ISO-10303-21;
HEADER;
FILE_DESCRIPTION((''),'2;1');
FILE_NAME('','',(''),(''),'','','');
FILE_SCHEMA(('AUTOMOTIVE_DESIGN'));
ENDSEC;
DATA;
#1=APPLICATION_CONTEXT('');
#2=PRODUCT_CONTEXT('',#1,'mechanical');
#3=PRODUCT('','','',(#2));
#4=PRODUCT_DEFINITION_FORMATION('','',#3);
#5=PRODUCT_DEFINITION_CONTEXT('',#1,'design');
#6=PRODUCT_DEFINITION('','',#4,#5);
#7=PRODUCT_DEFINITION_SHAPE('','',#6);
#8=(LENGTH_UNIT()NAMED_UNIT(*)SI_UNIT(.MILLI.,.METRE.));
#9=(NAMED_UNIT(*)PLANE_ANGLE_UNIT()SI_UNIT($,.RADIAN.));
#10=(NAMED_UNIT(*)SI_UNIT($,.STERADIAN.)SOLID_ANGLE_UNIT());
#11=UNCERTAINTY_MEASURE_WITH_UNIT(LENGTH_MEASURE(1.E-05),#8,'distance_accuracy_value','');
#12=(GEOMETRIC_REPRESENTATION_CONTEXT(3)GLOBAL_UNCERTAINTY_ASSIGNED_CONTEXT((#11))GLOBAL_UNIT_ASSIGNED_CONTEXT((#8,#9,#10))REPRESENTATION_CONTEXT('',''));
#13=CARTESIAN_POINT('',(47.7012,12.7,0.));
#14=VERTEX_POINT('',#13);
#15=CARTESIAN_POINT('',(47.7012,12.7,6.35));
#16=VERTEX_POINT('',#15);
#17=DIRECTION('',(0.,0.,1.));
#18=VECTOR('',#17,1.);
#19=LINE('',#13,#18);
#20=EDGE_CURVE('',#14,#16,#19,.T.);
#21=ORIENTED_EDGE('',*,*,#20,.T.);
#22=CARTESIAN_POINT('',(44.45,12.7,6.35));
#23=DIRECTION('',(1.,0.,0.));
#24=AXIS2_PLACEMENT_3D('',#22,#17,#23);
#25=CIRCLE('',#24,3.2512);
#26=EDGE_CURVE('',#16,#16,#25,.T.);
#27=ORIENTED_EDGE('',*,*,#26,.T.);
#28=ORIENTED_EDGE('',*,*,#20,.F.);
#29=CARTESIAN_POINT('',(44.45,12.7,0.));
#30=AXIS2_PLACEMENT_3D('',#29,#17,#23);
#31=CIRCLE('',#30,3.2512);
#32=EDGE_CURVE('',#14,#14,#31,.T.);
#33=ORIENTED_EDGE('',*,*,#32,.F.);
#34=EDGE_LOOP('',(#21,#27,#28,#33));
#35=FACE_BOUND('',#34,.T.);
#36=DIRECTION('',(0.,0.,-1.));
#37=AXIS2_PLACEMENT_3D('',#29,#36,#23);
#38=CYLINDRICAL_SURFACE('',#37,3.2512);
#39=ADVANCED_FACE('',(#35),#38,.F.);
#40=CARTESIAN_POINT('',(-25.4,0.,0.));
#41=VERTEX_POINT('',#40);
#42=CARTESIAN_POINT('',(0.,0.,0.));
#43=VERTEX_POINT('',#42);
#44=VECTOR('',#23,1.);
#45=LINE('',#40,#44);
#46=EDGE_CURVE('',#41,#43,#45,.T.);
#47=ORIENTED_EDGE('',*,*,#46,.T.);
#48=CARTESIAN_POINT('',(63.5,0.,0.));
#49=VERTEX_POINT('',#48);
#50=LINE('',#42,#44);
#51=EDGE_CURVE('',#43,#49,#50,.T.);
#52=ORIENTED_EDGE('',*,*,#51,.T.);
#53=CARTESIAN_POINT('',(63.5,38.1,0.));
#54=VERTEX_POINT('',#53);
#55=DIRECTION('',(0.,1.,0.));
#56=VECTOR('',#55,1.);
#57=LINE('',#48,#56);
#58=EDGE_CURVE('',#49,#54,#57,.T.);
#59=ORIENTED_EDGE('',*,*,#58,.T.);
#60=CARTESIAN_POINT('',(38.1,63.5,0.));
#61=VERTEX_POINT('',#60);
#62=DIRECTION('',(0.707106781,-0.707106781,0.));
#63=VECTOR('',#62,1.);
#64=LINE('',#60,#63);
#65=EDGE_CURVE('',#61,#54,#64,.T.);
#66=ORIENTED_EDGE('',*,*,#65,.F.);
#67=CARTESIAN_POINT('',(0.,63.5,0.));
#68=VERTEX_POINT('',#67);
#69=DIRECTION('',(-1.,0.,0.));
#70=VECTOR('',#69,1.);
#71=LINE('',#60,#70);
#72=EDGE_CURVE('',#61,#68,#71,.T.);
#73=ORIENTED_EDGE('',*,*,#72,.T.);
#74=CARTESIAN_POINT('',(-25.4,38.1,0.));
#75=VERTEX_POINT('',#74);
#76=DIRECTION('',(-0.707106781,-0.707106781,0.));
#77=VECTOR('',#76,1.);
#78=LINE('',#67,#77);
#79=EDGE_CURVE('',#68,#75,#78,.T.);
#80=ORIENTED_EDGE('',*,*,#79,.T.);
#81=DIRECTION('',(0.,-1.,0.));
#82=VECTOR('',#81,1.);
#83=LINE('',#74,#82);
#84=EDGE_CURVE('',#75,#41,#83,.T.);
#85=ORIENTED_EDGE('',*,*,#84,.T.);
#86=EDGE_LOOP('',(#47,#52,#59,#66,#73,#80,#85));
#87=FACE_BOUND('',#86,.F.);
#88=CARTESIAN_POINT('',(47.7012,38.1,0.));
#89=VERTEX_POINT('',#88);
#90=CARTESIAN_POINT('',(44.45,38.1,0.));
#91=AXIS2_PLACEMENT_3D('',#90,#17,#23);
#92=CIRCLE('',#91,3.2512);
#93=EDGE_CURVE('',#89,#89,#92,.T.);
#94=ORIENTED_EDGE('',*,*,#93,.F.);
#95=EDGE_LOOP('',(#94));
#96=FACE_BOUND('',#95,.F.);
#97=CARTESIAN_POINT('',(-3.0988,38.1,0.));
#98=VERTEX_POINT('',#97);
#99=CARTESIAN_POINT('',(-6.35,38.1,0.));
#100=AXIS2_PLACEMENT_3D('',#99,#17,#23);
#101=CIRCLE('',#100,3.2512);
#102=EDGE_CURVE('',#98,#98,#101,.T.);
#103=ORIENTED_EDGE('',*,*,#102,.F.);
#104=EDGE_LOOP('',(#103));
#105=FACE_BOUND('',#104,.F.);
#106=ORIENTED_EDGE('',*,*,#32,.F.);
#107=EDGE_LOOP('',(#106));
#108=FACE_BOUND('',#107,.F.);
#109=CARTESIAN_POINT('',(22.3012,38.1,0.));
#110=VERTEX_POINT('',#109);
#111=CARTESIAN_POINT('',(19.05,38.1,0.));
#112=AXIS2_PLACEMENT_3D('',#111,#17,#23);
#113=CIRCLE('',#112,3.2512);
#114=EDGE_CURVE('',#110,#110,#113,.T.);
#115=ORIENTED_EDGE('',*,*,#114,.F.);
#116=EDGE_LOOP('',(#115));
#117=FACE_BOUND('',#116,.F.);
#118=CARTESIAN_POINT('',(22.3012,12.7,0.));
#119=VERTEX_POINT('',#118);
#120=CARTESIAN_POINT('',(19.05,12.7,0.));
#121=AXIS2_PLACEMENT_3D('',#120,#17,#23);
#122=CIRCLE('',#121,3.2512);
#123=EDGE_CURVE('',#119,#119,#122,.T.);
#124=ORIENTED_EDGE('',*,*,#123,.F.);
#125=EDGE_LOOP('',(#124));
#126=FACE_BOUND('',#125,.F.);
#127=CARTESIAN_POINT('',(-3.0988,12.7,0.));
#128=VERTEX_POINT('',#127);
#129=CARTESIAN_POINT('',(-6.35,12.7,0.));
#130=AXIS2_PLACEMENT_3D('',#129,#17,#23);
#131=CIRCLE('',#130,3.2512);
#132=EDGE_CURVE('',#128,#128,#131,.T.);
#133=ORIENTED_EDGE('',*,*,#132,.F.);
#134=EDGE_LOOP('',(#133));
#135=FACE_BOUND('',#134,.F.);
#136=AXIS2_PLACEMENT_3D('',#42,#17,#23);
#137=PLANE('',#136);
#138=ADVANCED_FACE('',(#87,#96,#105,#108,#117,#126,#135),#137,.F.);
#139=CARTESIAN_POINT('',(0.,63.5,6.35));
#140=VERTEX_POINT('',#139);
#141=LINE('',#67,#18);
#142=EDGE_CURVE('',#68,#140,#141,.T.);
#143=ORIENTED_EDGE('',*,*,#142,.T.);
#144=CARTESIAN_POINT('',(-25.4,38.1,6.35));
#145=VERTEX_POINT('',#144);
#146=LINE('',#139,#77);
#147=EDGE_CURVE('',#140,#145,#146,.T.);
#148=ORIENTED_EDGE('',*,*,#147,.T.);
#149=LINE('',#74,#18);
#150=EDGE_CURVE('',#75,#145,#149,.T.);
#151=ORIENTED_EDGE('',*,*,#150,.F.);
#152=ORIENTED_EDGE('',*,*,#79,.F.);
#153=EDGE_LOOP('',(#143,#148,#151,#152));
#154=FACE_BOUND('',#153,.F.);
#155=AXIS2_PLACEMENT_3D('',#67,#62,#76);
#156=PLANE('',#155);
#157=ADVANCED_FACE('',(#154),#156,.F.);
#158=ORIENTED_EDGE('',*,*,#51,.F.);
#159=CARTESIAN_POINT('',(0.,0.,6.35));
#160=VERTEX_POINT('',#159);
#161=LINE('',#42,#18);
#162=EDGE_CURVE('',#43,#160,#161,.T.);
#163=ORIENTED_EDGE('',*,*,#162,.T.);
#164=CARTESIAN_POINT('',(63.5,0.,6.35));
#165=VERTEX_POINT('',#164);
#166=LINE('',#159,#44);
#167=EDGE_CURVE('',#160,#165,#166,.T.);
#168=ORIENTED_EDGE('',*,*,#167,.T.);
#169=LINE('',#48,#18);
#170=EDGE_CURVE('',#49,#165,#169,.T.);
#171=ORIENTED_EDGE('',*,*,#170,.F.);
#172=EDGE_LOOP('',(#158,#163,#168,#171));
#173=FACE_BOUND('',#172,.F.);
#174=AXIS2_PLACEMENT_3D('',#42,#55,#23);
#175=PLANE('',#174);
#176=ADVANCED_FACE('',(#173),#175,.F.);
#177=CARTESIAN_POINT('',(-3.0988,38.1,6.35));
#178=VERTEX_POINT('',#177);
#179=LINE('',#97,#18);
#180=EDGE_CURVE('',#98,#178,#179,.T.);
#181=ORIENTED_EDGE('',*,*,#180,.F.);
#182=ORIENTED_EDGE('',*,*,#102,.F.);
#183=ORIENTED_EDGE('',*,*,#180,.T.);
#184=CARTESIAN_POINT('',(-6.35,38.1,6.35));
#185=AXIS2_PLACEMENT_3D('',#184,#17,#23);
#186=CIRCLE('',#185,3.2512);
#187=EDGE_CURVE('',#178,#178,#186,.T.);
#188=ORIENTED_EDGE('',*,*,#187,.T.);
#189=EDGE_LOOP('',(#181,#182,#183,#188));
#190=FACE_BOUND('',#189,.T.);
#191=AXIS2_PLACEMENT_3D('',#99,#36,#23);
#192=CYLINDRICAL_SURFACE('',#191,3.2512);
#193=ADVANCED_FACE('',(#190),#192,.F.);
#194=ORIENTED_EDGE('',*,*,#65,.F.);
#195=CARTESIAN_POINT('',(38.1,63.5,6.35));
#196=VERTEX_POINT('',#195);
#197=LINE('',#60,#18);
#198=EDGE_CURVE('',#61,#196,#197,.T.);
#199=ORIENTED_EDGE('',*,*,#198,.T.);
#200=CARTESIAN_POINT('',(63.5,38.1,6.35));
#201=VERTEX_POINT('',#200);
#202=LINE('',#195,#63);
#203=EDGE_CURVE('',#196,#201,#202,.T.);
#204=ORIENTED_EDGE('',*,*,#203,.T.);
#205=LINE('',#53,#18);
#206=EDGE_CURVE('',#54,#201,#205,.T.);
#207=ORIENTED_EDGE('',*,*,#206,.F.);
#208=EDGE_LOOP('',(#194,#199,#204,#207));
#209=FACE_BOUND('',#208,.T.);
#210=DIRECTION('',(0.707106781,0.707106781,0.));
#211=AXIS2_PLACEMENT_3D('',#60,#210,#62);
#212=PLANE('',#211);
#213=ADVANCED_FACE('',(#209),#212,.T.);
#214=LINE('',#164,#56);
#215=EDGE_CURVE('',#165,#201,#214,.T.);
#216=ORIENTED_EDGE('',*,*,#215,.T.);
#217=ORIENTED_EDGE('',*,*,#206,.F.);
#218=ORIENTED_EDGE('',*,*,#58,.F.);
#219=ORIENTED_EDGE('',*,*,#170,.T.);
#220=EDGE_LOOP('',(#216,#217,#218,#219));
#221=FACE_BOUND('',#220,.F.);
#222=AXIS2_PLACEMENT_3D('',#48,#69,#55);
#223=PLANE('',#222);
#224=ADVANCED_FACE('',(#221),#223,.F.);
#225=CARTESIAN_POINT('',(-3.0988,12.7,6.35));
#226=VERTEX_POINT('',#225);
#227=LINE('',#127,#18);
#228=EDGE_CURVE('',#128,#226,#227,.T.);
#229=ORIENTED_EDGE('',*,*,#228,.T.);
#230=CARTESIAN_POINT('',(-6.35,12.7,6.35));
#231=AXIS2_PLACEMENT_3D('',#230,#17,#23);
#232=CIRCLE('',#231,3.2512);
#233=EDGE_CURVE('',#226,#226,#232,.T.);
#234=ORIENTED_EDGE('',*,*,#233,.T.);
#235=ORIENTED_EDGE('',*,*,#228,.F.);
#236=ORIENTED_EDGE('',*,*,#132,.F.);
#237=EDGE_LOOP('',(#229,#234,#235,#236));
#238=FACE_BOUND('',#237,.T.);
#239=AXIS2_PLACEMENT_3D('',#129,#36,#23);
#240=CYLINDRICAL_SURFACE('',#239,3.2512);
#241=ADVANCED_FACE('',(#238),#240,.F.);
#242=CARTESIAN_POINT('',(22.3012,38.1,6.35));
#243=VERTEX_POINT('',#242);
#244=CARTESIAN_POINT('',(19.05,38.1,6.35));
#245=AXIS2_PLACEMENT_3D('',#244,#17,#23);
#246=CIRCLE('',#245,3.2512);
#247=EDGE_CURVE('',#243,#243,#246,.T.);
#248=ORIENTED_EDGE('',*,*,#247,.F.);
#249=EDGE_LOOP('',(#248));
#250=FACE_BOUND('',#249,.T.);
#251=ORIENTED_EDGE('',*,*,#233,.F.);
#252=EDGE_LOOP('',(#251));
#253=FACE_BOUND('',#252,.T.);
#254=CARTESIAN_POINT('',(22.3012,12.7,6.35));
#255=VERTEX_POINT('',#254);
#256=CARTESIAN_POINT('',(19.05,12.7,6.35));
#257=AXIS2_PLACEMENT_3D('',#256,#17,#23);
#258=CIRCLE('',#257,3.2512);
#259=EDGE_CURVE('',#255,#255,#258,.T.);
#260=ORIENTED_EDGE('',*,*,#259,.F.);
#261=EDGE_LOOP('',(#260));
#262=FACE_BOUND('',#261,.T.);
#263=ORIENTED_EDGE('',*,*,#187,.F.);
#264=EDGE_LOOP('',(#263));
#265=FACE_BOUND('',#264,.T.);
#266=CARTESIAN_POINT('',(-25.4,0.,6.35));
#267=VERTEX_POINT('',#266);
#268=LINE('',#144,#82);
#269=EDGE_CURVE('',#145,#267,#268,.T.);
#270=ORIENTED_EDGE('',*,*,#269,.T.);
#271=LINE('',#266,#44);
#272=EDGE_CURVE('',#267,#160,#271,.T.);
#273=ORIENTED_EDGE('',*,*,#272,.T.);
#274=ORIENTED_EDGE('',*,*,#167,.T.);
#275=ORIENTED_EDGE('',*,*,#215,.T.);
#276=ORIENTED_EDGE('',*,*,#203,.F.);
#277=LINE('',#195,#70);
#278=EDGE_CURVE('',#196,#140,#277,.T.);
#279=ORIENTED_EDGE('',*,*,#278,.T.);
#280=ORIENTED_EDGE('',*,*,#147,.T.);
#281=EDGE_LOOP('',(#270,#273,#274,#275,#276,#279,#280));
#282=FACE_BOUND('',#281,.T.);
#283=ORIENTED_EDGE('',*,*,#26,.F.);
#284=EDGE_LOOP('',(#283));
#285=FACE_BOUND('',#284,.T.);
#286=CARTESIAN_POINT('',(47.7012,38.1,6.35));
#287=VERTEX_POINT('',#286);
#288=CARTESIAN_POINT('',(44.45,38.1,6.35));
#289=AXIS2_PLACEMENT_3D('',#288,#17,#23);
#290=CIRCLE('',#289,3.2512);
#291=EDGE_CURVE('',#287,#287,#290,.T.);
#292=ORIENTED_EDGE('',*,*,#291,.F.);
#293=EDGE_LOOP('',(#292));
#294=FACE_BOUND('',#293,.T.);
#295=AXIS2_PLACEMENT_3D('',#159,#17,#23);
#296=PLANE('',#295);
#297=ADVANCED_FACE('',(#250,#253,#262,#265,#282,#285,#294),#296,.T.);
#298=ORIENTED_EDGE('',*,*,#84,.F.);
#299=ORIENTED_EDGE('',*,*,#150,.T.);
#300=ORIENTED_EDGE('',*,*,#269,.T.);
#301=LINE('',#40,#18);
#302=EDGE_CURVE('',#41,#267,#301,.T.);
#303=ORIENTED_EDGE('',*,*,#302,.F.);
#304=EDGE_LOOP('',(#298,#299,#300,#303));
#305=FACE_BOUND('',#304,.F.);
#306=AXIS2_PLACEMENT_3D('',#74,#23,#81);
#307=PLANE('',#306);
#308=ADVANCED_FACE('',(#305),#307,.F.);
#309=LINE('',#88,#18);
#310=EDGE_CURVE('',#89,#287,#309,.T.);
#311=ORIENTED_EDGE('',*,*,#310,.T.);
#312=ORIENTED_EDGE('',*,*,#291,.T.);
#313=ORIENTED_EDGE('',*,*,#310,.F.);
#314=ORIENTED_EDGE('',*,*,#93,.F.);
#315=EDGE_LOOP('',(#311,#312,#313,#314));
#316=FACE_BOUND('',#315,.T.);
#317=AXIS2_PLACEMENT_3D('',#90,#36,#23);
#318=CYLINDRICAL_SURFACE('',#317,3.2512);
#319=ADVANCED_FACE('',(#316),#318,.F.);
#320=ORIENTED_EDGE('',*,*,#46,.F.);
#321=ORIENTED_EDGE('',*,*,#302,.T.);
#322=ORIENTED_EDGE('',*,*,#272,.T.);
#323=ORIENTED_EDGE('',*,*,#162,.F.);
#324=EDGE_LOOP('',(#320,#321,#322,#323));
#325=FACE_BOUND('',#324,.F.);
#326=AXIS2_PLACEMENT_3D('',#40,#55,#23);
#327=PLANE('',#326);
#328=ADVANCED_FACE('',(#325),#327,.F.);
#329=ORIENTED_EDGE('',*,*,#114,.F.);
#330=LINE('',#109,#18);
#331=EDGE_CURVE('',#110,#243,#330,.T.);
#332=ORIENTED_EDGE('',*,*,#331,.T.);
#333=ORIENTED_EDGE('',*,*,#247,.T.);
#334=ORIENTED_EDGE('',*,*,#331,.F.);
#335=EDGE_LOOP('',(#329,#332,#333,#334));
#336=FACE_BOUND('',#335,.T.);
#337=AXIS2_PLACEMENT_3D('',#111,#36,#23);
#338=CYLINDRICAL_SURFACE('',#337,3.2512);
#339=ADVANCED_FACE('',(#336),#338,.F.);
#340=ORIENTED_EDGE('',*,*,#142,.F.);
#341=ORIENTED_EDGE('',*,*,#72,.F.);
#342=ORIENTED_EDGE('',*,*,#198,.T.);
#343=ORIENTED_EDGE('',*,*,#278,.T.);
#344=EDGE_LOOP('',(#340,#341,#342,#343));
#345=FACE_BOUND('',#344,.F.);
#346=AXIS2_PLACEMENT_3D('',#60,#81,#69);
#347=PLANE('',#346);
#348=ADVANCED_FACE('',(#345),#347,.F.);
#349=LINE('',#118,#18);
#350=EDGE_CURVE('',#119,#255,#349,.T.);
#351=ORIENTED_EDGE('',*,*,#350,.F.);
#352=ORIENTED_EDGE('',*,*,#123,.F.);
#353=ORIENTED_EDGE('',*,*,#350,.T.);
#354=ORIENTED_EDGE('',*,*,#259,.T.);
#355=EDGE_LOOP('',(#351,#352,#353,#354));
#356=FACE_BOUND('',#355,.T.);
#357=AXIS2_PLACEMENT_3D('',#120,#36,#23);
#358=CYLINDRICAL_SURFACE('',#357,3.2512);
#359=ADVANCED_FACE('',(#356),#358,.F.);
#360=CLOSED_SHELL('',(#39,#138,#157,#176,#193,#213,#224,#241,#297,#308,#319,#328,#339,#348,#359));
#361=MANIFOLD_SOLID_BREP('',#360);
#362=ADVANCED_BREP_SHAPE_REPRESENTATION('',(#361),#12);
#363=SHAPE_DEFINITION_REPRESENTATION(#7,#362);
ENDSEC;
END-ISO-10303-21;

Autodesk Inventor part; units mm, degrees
ref_plane "YZ Plane" through (0, 0, 0) normal (1, 0, 0) x (0, 1, 0)
ref_plane "XZ Plane" through (0, 0, 0) normal (0, 1, 0) x (-1, 0, 0)
ref_plane "XY Plane" through (0, 0, 0) normal (0, 0, 1) x (1, 0, 0)
sketch "Sketch1" plane through (0, 0, 0) normal (0, 0, 1) x (1, 0, 0)
  line L0 (0, 0) -> (63.5, 0)
  line L1 (63.5, 0) -> (63.5, 38.1)
  line L2 (38.1, 63.5) -> (0, 63.5)
  line L3 (-25.4, 38.1) -> (-25.4, 0)
  line L4 (-25.4, 0) -> (0, 0)
  line L5 (38.1, 63.5) -> (63.5, 38.1)
  line L6 (0, 63.5) -> (-25.4, 38.1)
  circle A0 centre (-6.35, 12.7) radius 3.2512
  circle A1 centre (-6.35, 38.1) radius 3.2512
  circle A2 centre (19.05, 38.1) radius 3.2512
  circle A3 centre (19.05, 12.7) radius 3.2512
  circle A4 centre (44.45, 38.1) radius 3.2512
  circle A5 centre (44.45, 12.7) radius 3.2512
  dimension "d5" = 63.5
  dimension "d6" = 25.4
  dimension "d7" = 38.1
  dimension "d8" = 25.4
  dimension "d9" = 25.4
  dimension "d10" = 38.1
  dimension "d11" = 25.4
  dimension "d12" = 25.4
  dimension "d13" = 38.1
  dimension "d14" = 135
  dimension "d15" = 135
  dimension "d16" = 90
  dimension "d17" = 6.5024
  dimension "d18" = 12.7
  dimension "d19" = 19.05
  dimension "d22" = 25.4
  dimension "d29" = 25.4
extrude "Extrusion1" add sketch "Sketch1" along normal blind 6.35
properties part number "3.5x2.5"
